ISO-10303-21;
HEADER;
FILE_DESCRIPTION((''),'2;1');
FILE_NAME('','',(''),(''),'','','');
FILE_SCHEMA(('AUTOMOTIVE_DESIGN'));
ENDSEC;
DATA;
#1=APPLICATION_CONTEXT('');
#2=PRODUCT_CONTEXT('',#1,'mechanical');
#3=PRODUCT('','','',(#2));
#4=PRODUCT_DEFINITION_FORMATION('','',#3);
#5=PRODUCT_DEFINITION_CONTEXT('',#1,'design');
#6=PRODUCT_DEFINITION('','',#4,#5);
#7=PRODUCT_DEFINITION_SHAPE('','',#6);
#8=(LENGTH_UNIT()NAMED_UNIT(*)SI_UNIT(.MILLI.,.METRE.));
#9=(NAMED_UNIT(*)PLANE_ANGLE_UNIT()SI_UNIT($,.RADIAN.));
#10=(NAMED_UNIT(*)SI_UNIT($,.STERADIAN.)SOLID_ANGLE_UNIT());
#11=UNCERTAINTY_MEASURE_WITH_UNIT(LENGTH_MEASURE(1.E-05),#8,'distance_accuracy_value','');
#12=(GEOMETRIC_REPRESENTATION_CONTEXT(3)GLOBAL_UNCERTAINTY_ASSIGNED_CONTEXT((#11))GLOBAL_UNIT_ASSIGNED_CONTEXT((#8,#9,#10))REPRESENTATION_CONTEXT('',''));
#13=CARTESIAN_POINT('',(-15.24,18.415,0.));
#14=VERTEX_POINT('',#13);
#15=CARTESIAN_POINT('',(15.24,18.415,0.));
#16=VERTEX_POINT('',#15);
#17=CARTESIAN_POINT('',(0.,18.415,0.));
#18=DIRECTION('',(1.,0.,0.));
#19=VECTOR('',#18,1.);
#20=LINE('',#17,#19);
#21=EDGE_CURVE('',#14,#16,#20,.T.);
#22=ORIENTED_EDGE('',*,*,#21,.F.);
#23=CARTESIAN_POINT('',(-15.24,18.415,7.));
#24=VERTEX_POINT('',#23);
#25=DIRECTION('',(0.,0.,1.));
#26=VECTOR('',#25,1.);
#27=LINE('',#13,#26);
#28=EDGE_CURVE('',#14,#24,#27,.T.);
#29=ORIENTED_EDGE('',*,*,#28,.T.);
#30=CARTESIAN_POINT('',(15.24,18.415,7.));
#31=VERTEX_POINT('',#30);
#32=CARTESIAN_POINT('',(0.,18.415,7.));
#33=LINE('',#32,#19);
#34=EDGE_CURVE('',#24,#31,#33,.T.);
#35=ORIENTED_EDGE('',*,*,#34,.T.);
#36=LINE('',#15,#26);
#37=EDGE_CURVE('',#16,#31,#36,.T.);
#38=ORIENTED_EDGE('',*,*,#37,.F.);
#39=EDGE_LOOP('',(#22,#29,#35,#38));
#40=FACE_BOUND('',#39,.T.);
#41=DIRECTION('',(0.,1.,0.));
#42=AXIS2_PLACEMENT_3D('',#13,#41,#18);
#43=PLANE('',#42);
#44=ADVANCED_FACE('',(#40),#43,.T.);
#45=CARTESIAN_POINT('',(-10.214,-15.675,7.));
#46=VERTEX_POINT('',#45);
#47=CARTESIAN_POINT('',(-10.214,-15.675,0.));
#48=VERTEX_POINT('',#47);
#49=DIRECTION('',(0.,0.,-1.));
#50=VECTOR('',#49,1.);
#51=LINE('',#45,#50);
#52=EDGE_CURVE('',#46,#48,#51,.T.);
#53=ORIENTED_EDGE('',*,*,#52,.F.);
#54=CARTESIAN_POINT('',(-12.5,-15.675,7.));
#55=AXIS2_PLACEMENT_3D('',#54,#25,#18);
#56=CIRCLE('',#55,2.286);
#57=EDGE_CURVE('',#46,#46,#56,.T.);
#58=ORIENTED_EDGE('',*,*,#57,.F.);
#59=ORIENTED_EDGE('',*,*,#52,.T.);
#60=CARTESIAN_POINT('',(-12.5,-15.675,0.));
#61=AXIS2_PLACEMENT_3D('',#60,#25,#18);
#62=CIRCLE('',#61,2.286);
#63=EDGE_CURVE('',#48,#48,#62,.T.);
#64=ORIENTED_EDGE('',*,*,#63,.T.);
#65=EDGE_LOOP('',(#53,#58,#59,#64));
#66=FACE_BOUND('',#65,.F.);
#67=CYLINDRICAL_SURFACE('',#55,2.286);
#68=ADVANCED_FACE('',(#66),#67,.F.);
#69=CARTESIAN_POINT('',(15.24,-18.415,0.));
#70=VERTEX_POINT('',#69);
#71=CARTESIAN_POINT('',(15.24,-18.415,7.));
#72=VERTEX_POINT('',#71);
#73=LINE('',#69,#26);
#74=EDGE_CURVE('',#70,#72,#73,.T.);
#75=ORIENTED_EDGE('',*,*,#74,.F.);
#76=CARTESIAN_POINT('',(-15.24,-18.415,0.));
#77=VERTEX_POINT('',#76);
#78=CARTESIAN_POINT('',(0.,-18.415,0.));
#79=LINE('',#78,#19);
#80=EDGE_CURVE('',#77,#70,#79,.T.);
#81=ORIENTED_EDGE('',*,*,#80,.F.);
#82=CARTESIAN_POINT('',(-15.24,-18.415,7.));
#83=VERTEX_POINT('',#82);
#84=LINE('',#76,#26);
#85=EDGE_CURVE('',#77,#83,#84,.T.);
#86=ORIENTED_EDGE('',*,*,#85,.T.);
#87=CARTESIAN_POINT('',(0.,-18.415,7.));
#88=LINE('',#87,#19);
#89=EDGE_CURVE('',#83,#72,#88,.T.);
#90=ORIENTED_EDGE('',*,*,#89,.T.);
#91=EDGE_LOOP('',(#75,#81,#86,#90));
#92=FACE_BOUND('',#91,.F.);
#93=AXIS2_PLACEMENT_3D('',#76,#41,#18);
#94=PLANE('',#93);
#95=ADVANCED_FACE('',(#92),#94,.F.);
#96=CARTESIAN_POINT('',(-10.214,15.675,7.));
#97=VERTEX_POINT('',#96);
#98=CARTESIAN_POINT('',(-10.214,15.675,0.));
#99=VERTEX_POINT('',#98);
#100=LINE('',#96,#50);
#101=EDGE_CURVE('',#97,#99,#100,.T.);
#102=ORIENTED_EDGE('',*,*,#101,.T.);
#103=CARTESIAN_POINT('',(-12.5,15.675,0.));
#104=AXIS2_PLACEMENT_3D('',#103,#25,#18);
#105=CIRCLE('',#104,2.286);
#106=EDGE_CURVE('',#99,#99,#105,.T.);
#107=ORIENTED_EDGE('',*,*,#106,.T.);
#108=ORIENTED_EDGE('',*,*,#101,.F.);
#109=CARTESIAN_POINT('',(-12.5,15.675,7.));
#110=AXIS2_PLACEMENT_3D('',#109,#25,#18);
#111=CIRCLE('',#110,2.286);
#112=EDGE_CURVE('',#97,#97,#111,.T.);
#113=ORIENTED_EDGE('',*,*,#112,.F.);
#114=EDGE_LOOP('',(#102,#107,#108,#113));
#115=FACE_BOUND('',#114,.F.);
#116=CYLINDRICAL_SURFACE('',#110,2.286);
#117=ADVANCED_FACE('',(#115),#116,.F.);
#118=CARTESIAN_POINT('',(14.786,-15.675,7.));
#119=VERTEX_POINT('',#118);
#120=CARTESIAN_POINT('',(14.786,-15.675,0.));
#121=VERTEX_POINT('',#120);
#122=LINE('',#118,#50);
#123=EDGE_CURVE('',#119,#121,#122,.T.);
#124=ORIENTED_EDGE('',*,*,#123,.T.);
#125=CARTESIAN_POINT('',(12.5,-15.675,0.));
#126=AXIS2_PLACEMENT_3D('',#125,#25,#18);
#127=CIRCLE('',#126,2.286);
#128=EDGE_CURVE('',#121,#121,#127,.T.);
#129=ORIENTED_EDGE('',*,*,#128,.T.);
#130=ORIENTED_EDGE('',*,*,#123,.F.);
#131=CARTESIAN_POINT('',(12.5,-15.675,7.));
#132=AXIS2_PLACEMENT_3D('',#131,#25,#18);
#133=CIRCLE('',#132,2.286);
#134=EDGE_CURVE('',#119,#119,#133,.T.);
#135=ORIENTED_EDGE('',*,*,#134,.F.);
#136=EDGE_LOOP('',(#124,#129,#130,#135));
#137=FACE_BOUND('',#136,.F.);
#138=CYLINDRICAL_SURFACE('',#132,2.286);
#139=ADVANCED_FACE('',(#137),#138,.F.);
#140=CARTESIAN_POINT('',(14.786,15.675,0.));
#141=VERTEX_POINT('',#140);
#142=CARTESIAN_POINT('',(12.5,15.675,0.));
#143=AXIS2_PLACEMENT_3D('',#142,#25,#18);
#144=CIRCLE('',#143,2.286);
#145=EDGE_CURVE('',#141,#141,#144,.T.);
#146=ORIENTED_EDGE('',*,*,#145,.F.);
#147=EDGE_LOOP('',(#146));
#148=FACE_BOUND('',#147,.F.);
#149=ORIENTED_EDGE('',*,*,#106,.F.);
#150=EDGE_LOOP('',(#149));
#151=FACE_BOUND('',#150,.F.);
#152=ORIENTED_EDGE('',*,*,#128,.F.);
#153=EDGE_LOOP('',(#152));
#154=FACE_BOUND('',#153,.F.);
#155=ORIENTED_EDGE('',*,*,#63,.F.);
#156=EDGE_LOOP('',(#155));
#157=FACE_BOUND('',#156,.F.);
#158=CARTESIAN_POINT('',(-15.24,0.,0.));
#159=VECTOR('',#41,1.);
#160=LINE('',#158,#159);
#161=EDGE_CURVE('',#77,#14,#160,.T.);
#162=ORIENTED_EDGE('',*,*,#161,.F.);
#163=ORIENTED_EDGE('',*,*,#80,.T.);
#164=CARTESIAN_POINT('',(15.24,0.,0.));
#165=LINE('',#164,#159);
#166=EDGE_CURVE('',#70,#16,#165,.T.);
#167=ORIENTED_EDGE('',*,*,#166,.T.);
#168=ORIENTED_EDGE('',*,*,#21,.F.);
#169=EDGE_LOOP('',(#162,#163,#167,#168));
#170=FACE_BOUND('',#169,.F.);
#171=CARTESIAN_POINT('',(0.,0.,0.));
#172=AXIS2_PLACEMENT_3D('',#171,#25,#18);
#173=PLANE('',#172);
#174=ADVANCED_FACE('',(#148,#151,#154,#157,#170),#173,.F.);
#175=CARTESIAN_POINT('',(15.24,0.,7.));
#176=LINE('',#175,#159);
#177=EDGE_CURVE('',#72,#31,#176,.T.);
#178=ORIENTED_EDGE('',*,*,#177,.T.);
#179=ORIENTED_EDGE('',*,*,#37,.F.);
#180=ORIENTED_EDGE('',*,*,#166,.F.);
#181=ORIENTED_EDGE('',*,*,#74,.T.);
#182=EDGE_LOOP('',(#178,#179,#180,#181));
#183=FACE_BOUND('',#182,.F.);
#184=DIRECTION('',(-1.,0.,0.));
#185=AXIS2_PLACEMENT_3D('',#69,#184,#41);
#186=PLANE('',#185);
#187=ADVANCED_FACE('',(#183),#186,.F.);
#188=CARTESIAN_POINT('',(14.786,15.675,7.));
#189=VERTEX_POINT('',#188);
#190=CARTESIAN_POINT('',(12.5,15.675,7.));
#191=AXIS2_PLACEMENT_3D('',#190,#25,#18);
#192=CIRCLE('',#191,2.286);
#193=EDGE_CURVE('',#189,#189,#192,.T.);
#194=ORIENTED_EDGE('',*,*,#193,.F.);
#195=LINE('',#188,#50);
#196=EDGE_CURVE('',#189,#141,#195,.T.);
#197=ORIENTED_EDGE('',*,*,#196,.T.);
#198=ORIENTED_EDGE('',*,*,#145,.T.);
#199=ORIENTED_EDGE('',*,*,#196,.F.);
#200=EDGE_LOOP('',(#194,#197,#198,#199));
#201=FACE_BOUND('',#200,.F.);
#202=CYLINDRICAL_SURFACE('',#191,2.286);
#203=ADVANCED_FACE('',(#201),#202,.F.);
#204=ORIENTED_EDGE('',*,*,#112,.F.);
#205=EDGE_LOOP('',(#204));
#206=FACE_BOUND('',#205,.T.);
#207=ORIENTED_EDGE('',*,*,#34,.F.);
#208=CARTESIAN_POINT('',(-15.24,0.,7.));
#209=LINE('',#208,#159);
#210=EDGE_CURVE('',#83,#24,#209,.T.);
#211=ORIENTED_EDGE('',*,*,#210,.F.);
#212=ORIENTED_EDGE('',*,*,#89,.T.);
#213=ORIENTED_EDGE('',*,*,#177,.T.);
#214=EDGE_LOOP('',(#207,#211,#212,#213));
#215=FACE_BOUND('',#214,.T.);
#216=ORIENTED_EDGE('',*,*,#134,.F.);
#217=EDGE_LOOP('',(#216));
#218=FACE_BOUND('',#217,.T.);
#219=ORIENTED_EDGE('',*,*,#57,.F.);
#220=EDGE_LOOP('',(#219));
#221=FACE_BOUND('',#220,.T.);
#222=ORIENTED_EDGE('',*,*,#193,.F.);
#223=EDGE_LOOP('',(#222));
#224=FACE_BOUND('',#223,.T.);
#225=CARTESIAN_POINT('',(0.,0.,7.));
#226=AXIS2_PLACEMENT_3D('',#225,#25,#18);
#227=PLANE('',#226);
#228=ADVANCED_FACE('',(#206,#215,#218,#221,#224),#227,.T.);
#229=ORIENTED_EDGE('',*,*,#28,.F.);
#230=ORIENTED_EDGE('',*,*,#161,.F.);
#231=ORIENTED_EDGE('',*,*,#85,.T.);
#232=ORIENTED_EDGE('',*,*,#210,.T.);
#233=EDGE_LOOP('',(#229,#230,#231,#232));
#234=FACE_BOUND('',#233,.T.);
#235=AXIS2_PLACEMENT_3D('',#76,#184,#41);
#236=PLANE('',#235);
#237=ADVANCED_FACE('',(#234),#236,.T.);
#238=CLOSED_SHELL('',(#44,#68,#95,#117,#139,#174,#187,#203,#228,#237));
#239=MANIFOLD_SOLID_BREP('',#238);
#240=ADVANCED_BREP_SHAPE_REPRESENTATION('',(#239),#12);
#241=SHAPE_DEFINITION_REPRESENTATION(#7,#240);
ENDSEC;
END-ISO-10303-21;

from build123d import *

# Parameters (mm, degrees)
SKETCH_W     = 30.48
SKETCH_H     = 36.83
PAD_DEPTH    = 7
SKETCH001_R  = 2.286
POCKET_DEPTH = 7


with BuildPart() as part:
    # Sketch → Pad (new body)
    with BuildSketch(Plane.XY):
        Rectangle(SKETCH_W, SKETCH_H)
    extrude(amount=PAD_DEPTH)

    # Sketch001 (on Face6 of Pad) → Pocket (cut)
    with BuildSketch(Plane.XY.offset(7)):
        with Locations((-12.5, 15.675)):
            Circle(SKETCH001_R)
        with Locations((12.5, 15.675)):
            Circle(SKETCH001_R)
        with Locations((12.5, -15.675)):
            Circle(SKETCH001_R)
        with Locations((-12.5, -15.675)):
            Circle(SKETCH001_R)
    extrude(amount=-POCKET_DEPTH, mode=Mode.SUBTRACT)


solid = part.part
